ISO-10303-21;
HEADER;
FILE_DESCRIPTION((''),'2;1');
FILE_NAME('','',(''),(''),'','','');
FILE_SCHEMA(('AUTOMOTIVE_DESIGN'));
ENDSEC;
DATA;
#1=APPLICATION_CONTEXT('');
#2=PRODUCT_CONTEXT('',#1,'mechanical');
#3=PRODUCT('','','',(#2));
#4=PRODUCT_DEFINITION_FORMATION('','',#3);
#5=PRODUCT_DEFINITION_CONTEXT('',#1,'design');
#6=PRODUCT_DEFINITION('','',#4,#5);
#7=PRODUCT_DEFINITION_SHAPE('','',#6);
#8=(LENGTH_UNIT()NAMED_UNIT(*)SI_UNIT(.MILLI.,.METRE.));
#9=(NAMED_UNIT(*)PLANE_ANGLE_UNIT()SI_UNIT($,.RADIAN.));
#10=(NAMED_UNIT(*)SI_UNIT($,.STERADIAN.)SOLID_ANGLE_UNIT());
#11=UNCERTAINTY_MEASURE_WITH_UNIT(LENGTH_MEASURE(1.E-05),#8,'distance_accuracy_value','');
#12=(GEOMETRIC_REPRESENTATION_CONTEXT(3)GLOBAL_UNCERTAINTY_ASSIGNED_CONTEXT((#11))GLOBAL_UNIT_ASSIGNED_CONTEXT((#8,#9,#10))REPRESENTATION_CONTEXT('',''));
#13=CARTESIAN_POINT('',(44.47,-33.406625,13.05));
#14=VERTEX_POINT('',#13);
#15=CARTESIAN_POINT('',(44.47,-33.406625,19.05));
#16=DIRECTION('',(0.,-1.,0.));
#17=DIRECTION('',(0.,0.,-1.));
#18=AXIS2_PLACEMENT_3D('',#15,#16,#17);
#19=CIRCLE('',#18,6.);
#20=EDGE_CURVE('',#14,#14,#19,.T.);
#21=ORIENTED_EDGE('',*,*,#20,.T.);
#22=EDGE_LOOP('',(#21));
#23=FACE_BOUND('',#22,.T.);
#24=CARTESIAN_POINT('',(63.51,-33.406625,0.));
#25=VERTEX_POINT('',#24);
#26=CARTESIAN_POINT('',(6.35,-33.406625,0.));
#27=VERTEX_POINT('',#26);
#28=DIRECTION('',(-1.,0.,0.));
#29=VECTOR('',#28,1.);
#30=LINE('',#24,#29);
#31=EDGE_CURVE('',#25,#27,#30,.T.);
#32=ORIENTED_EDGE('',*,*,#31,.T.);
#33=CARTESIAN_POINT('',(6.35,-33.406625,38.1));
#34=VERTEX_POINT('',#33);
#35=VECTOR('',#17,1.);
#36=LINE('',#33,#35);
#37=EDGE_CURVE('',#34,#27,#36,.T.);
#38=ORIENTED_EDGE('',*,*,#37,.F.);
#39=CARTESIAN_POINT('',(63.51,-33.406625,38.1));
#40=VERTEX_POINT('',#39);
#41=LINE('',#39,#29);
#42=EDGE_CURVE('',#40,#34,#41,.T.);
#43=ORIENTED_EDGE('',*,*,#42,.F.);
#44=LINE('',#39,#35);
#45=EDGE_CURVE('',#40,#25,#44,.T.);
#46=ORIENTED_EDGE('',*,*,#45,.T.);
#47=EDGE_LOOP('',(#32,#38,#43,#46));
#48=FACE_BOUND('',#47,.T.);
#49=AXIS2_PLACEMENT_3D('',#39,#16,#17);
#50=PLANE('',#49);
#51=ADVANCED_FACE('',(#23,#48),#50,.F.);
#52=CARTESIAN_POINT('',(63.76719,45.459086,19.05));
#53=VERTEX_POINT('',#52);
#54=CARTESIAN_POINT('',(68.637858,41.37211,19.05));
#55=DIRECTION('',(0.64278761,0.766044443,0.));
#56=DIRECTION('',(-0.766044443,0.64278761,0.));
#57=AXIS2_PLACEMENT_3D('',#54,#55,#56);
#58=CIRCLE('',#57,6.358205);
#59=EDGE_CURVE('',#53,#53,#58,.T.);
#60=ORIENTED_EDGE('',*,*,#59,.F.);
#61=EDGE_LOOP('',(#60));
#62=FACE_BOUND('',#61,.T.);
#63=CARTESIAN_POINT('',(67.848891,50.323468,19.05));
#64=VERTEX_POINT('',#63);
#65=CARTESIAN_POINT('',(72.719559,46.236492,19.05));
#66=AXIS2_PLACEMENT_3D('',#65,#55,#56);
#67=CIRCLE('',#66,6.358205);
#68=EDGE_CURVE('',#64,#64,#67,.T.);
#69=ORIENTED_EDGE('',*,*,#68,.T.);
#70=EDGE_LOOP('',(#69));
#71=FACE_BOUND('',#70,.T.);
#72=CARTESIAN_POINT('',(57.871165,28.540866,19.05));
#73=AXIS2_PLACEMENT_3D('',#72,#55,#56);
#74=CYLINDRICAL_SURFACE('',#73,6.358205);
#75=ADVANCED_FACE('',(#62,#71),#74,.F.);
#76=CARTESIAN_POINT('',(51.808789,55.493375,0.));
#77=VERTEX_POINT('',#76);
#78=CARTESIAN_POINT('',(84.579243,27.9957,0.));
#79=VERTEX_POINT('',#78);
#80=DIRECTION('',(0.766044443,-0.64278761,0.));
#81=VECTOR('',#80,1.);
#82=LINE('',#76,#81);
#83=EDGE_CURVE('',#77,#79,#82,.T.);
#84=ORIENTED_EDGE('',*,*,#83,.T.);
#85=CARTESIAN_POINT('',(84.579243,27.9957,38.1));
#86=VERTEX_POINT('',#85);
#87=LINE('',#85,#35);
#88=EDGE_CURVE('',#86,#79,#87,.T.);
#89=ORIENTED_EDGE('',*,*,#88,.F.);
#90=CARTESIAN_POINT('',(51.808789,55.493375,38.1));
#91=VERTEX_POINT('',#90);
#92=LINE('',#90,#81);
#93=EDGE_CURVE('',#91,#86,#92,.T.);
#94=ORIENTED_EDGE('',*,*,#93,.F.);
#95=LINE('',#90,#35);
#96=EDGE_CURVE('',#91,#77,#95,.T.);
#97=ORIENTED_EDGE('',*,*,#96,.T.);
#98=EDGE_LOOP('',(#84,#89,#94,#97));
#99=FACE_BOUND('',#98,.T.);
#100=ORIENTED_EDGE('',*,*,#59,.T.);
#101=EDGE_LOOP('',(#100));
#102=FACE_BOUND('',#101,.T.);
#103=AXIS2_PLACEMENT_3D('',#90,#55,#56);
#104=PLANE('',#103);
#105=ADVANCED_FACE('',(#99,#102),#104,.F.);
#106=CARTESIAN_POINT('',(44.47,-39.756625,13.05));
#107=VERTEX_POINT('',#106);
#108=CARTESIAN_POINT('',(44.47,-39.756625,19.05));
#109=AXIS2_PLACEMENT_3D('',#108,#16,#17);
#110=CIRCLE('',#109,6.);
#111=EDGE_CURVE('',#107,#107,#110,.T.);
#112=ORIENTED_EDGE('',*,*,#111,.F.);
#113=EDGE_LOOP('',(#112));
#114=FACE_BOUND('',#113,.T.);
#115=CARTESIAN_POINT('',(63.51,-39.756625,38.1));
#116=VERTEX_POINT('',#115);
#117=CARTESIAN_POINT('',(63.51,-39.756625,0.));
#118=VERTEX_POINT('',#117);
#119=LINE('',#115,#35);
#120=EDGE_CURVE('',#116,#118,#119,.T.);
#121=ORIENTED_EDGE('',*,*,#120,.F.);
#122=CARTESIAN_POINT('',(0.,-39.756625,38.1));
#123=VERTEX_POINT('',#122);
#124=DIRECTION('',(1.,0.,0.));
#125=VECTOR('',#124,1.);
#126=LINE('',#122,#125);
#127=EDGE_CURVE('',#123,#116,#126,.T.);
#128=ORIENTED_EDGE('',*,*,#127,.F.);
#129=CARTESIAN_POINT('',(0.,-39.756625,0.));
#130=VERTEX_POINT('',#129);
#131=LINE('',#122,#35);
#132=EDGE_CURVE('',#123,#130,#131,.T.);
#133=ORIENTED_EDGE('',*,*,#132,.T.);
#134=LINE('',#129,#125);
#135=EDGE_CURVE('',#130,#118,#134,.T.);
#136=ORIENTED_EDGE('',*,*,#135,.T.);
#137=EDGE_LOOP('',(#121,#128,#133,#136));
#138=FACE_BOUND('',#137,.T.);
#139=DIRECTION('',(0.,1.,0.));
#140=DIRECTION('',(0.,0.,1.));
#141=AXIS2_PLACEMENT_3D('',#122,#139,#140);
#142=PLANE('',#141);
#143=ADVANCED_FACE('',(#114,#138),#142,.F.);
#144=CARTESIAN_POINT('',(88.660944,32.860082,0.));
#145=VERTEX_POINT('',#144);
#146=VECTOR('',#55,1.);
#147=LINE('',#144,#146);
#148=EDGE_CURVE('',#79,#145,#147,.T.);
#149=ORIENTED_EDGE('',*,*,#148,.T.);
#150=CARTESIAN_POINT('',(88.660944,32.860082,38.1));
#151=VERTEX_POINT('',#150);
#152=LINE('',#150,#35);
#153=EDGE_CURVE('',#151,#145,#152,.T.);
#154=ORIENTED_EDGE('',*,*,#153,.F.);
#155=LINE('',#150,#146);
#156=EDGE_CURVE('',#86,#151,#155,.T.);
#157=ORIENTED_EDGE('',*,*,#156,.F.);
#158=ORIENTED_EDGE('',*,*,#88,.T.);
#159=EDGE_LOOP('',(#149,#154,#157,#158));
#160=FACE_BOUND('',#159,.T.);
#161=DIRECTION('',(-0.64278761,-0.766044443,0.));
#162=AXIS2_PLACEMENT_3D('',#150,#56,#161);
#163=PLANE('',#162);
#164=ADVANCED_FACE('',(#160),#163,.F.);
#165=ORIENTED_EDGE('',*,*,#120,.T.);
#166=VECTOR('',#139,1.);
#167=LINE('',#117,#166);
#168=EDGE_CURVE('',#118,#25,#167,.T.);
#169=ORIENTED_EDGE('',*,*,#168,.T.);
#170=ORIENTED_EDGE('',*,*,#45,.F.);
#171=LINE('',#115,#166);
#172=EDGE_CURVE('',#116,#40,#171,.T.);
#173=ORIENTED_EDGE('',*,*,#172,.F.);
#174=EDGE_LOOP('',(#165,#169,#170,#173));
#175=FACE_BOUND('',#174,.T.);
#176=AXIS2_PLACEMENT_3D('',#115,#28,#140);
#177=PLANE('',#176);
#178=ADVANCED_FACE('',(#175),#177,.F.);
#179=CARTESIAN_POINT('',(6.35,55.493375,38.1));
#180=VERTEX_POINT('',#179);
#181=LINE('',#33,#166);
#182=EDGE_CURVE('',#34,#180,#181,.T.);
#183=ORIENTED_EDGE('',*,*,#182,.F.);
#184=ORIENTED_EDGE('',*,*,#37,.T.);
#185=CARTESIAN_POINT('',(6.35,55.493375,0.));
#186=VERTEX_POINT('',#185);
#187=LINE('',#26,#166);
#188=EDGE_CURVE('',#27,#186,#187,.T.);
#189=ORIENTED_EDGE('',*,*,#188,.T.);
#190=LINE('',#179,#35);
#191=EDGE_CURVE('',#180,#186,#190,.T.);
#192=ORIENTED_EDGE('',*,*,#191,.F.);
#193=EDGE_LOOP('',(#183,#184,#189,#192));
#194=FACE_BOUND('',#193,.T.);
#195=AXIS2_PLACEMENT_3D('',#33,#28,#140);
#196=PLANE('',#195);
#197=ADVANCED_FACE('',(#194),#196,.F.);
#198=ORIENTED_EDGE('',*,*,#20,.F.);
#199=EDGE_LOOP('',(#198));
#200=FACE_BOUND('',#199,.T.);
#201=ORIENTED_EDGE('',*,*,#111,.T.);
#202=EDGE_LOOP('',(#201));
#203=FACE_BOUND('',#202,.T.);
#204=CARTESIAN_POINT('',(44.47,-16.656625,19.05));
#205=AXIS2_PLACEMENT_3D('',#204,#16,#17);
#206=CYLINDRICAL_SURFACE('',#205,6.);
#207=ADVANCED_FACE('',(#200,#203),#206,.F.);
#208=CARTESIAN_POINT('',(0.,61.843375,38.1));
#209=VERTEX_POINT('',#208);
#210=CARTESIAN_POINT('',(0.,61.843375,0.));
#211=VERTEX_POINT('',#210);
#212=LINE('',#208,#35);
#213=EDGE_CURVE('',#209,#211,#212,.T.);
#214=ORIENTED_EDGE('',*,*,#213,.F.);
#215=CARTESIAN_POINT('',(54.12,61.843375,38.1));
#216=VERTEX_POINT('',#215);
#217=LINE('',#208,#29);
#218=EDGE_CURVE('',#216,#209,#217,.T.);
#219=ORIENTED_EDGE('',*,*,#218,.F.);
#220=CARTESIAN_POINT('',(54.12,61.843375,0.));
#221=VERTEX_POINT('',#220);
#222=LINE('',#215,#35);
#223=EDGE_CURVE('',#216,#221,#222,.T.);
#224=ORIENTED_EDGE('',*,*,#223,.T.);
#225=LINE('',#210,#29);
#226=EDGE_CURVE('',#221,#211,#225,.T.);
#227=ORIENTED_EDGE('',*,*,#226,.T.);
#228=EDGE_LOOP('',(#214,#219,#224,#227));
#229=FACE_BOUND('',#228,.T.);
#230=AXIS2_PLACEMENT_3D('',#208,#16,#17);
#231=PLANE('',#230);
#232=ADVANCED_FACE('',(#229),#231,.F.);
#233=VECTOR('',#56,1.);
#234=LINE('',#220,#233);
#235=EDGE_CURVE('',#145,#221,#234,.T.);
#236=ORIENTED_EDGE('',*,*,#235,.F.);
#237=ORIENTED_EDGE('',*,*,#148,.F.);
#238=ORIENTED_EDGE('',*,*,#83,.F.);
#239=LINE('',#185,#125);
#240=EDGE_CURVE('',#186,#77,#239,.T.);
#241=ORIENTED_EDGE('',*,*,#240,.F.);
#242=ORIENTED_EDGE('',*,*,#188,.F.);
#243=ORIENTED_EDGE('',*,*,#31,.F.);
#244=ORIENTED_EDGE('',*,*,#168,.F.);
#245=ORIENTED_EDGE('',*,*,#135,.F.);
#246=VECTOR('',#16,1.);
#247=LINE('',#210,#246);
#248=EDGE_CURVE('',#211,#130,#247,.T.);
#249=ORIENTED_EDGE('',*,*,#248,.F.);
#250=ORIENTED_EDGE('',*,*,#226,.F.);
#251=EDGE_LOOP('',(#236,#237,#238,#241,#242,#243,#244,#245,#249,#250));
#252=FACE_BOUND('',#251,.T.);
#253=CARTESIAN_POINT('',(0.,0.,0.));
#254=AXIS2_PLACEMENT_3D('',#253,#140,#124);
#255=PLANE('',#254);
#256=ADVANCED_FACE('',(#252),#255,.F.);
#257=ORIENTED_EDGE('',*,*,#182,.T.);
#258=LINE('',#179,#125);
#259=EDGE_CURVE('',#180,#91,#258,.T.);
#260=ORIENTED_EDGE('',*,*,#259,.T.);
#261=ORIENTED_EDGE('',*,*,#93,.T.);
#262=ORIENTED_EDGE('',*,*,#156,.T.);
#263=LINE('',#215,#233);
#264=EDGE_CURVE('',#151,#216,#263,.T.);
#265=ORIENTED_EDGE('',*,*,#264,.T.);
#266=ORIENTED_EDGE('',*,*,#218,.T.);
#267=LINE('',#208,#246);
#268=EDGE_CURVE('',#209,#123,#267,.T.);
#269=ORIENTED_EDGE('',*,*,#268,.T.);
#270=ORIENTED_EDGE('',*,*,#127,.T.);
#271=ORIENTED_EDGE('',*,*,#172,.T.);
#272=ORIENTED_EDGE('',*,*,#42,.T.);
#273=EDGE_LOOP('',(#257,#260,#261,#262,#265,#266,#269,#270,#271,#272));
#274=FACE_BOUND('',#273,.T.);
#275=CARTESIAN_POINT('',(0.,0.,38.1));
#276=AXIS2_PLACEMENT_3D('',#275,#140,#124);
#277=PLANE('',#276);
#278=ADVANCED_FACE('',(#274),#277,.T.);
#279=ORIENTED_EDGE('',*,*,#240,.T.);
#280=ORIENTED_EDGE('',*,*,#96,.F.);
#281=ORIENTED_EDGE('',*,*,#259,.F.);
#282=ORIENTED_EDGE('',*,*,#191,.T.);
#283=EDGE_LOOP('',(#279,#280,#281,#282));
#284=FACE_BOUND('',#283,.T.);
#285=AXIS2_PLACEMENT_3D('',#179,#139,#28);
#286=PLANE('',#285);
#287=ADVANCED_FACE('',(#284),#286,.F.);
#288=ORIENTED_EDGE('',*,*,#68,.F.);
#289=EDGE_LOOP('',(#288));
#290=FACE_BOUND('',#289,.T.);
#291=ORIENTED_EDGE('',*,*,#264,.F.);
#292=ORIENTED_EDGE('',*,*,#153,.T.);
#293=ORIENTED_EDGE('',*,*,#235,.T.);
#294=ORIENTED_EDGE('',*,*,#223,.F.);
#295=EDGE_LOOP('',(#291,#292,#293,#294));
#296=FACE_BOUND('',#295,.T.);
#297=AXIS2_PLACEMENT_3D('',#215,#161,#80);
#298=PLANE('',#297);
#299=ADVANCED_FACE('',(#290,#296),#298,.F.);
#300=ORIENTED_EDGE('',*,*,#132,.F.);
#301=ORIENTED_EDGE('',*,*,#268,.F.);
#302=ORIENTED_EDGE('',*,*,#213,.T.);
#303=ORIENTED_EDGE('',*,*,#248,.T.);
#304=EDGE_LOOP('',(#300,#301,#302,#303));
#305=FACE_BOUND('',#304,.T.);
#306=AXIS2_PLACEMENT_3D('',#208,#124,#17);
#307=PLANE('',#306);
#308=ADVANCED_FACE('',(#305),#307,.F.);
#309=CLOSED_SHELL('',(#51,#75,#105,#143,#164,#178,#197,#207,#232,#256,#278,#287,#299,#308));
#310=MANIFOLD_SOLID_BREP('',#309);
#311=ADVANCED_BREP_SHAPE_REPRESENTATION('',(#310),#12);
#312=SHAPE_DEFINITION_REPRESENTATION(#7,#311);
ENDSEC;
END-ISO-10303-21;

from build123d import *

# Parameters (mm, degrees)
BOSS_EXTRUDE1_DEPTH = 38.1
SKETCH3_R           = 6
CUT_EXTRUDE1_DEPTH  = 23.1
SKETCH4_R           = 6.358205361
CUT_EXTRUDE2_DEPTH  = 23.1


with BuildPart() as part:
    # Sketch2 → Boss-Extrude1 (new body)
    with BuildSketch(Plane.XY):
        Polygon((0, -39.756624631), (63.51, -39.756624631), (63.51, -33.406624631), (6.35, -33.406624631), (6.35, 55.493375369), (51.808789012, 55.493375369), (84.579242619, 27.995699834), (88.66094394, 32.860082048), (54.12, 61.843375369), (0, 61.843375369), align=None)
    extrude(amount=BOSS_EXTRUDE1_DEPTH)

    # Sketch3 → Cut-Extrude1 (cut)
    with BuildSketch(Plane.XZ.offset(39.756624631)):
        with Locations(Location((44.47, 19.05, 0), (0, 0, 270))):
            Circle(SKETCH3_R)
    extrude(amount=-CUT_EXTRUDE1_DEPTH, mode=Mode.SUBTRACT)

    # Sketch4 → Cut-Extrude2 (cut)
    with BuildSketch(Plane(origin=(52.81299808, 62.940080198, 0), x_dir=(0.7660444431189768, -0.6427876096865409, 0), z_dir=(0.6427876096865408, 0.7660444431189767, 0))):
        with Locations(Location((25.986169834, -19.05, 0), (0, 0, 180))):
            Circle(SKETCH4_R)
    extrude(amount=-CUT_EXTRUDE2_DEPTH, mode=Mode.SUBTRACT)


solid = part.part
